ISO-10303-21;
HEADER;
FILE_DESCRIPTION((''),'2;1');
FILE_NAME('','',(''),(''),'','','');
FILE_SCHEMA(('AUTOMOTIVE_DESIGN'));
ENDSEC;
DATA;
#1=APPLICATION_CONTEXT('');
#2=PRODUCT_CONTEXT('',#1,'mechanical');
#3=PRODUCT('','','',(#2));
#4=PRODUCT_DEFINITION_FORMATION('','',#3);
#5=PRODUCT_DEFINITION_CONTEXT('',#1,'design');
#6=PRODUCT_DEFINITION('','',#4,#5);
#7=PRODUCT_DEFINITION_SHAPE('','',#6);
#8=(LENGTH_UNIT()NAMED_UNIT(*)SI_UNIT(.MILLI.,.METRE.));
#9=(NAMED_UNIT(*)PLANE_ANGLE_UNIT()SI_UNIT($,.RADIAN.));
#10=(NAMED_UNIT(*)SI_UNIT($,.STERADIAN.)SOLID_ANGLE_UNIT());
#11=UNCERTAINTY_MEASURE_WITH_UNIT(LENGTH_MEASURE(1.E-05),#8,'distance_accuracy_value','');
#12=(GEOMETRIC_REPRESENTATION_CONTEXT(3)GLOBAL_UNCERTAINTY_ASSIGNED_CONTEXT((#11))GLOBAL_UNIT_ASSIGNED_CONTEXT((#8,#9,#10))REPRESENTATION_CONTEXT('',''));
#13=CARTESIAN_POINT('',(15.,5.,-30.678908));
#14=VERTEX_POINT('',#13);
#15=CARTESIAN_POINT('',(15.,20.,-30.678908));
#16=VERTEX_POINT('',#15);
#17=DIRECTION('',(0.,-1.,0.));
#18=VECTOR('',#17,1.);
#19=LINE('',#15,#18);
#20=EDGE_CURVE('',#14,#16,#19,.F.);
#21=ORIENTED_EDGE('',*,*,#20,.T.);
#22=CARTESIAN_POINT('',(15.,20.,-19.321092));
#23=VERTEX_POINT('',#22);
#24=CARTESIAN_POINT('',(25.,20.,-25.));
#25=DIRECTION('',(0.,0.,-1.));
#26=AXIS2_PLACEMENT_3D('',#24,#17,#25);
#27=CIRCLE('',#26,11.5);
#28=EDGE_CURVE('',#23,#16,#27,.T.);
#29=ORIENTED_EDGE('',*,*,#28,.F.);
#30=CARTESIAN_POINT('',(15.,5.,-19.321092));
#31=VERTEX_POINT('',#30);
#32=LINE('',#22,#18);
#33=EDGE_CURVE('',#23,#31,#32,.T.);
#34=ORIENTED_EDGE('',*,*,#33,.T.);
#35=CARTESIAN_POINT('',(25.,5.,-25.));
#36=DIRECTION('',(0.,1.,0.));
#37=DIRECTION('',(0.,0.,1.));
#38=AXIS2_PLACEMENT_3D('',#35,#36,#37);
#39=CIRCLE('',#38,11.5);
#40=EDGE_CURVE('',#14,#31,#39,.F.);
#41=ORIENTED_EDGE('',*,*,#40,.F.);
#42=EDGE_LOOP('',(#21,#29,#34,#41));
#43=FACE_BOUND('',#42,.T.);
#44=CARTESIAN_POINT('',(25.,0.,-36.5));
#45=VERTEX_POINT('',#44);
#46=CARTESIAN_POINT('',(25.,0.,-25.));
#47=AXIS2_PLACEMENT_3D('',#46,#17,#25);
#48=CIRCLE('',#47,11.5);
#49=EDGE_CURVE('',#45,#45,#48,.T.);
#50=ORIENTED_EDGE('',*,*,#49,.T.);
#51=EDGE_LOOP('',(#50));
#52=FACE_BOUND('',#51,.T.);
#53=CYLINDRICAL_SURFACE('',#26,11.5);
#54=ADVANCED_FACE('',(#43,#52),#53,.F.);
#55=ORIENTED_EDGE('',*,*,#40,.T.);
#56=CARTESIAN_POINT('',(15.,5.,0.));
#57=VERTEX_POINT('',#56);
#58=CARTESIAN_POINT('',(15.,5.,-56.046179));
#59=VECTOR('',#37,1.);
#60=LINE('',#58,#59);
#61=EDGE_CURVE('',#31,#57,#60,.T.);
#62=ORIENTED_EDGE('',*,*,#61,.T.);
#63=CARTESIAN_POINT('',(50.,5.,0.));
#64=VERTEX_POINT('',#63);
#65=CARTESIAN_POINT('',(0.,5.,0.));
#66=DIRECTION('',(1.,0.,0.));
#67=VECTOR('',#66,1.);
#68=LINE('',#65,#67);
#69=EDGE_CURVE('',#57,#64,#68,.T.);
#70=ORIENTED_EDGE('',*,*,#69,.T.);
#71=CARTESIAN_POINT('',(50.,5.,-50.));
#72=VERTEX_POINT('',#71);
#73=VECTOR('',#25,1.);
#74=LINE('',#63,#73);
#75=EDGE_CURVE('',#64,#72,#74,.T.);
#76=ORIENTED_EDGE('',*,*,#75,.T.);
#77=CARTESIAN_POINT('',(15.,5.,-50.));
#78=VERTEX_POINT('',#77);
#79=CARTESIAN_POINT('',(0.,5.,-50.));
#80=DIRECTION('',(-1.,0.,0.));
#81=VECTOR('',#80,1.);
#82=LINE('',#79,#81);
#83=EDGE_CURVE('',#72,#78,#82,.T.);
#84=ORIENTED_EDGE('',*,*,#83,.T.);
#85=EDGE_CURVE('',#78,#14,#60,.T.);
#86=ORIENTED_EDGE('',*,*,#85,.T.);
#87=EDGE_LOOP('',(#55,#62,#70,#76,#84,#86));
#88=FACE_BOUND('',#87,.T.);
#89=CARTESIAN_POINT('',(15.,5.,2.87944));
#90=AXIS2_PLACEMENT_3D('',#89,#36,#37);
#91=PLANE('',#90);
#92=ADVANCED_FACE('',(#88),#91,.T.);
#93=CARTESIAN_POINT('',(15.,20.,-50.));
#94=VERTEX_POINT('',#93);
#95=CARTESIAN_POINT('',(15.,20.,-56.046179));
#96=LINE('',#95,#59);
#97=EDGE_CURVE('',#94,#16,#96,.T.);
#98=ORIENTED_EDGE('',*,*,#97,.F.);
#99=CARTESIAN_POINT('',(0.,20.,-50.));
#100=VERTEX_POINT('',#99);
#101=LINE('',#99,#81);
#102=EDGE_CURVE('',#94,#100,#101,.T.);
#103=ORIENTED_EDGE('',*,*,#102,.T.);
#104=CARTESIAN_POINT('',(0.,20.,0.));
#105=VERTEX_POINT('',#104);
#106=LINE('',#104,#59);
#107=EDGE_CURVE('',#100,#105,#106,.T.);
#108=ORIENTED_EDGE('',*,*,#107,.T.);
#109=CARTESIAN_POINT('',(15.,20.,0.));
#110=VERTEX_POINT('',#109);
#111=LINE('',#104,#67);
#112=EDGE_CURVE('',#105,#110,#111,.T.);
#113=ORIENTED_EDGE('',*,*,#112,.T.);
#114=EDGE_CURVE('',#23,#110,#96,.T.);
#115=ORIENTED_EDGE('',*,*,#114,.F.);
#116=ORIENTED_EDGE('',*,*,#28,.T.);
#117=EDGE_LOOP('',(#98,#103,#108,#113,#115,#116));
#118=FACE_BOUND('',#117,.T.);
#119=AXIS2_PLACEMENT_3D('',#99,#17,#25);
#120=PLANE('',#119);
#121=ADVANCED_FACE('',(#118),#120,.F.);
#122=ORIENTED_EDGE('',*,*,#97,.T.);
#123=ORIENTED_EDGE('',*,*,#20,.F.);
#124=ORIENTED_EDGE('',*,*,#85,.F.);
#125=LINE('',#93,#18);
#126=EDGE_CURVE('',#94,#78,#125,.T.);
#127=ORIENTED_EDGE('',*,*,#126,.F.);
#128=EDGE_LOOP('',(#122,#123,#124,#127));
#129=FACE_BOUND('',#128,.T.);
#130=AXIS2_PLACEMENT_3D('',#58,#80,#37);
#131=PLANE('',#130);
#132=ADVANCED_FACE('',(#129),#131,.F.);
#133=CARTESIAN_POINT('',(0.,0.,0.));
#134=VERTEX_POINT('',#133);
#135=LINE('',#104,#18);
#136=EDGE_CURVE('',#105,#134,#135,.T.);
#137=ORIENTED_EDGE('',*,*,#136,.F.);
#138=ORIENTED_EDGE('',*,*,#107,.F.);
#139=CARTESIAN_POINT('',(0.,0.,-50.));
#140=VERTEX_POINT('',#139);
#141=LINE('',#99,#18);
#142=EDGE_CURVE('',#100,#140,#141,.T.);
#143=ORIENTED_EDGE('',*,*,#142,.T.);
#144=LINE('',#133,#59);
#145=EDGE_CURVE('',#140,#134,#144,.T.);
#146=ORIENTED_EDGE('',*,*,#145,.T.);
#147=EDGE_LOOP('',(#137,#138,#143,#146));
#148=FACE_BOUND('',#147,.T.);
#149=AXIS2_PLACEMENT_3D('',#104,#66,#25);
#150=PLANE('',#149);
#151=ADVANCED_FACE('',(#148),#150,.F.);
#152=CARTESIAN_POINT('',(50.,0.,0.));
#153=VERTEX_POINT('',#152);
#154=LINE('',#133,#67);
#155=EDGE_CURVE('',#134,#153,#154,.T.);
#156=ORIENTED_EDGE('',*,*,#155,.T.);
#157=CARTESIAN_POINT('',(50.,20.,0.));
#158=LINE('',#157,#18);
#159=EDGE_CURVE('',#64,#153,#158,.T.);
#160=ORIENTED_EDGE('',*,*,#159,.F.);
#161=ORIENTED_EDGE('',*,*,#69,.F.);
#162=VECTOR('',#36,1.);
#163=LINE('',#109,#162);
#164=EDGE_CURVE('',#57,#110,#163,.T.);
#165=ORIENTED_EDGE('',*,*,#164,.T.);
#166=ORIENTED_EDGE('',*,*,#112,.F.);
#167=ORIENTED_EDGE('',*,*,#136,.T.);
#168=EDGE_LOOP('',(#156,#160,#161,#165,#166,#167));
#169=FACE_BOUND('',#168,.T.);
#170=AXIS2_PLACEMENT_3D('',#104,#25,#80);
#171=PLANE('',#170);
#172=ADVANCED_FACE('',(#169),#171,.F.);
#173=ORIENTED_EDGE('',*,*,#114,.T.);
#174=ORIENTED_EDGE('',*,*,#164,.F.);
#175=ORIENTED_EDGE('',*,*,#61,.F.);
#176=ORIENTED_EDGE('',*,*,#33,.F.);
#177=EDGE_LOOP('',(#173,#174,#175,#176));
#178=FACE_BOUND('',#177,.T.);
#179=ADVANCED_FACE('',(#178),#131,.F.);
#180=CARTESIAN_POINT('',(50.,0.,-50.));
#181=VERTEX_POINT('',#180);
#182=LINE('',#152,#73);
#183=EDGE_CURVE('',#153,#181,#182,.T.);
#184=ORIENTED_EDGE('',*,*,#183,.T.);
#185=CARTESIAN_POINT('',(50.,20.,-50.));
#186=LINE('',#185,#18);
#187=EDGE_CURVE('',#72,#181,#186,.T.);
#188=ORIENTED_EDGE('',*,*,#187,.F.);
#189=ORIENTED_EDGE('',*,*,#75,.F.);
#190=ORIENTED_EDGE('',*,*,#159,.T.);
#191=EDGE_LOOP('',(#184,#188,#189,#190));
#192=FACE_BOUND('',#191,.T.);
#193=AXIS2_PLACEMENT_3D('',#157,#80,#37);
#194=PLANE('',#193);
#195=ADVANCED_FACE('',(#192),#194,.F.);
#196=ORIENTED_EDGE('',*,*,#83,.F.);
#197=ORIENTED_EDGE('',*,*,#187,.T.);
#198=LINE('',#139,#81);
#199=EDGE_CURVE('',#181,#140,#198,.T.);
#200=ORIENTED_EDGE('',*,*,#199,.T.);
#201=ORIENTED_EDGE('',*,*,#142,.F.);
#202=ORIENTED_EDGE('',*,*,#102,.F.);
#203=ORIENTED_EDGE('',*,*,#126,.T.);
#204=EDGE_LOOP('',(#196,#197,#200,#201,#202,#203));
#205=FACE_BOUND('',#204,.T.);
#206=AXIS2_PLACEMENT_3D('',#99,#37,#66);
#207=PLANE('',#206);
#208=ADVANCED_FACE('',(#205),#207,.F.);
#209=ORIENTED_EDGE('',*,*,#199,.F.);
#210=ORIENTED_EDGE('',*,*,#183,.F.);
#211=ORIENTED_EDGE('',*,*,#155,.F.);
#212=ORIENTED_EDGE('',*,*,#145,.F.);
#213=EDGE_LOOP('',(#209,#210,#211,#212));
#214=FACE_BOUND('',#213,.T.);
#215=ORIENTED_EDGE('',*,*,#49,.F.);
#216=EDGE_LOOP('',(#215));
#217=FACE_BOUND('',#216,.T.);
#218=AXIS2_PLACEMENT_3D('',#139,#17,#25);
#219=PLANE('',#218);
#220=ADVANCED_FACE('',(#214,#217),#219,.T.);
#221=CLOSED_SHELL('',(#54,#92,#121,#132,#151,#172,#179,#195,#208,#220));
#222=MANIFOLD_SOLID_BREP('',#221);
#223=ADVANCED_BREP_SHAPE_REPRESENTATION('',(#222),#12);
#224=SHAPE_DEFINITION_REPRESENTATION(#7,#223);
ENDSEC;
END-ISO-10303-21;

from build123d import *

# Parameters (mm, degrees)
SKETCH1_W           = 50
SKETCH1_H           = 50
BOSS_EXTRUDE1_DEPTH = 20
SKETCH2_R           = 11.5
CUT_EXTRUDE1_DEPTH  = 74.484692283
SKETCH3_W           = 38.473106937
SKETCH3_H           = 58.925618974
CUT_EXTRUDE2_DEPTH  = 15


with BuildPart() as part:
    # Sketch1 → Boss-Extrude1 (new body)
    with BuildSketch(Plane(origin=(0, 0, 0), x_dir=(1, 0, 0), z_dir=(0, 1, 0))):
        with Locations((25, 25)):
            Rectangle(SKETCH1_W, SKETCH1_H)
    extrude(amount=BOSS_EXTRUDE1_DEPTH)

    # Sketch2 → Cut-Extrude1 (cut, through all)
    with BuildSketch(Plane.XZ):
        with Locations(Location((25, -25, 0), (0, 0, 270))):
            Circle(SKETCH2_R)
    extrude(amount=-CUT_EXTRUDE1_DEPTH, mode=Mode.SUBTRACT)

    # Sketch3 → Cut-Extrude2 (cut)
    with BuildSketch(Plane(origin=(0, 20, 0), x_dir=(1, 0, 0), z_dir=(0, 1, 0))):
        with Locations((34.236553469, 26.583369284)):
            Rectangle(SKETCH3_W, SKETCH3_H)
    extrude(amount=-CUT_EXTRUDE2_DEPTH, mode=Mode.SUBTRACT)


solid = part.part
